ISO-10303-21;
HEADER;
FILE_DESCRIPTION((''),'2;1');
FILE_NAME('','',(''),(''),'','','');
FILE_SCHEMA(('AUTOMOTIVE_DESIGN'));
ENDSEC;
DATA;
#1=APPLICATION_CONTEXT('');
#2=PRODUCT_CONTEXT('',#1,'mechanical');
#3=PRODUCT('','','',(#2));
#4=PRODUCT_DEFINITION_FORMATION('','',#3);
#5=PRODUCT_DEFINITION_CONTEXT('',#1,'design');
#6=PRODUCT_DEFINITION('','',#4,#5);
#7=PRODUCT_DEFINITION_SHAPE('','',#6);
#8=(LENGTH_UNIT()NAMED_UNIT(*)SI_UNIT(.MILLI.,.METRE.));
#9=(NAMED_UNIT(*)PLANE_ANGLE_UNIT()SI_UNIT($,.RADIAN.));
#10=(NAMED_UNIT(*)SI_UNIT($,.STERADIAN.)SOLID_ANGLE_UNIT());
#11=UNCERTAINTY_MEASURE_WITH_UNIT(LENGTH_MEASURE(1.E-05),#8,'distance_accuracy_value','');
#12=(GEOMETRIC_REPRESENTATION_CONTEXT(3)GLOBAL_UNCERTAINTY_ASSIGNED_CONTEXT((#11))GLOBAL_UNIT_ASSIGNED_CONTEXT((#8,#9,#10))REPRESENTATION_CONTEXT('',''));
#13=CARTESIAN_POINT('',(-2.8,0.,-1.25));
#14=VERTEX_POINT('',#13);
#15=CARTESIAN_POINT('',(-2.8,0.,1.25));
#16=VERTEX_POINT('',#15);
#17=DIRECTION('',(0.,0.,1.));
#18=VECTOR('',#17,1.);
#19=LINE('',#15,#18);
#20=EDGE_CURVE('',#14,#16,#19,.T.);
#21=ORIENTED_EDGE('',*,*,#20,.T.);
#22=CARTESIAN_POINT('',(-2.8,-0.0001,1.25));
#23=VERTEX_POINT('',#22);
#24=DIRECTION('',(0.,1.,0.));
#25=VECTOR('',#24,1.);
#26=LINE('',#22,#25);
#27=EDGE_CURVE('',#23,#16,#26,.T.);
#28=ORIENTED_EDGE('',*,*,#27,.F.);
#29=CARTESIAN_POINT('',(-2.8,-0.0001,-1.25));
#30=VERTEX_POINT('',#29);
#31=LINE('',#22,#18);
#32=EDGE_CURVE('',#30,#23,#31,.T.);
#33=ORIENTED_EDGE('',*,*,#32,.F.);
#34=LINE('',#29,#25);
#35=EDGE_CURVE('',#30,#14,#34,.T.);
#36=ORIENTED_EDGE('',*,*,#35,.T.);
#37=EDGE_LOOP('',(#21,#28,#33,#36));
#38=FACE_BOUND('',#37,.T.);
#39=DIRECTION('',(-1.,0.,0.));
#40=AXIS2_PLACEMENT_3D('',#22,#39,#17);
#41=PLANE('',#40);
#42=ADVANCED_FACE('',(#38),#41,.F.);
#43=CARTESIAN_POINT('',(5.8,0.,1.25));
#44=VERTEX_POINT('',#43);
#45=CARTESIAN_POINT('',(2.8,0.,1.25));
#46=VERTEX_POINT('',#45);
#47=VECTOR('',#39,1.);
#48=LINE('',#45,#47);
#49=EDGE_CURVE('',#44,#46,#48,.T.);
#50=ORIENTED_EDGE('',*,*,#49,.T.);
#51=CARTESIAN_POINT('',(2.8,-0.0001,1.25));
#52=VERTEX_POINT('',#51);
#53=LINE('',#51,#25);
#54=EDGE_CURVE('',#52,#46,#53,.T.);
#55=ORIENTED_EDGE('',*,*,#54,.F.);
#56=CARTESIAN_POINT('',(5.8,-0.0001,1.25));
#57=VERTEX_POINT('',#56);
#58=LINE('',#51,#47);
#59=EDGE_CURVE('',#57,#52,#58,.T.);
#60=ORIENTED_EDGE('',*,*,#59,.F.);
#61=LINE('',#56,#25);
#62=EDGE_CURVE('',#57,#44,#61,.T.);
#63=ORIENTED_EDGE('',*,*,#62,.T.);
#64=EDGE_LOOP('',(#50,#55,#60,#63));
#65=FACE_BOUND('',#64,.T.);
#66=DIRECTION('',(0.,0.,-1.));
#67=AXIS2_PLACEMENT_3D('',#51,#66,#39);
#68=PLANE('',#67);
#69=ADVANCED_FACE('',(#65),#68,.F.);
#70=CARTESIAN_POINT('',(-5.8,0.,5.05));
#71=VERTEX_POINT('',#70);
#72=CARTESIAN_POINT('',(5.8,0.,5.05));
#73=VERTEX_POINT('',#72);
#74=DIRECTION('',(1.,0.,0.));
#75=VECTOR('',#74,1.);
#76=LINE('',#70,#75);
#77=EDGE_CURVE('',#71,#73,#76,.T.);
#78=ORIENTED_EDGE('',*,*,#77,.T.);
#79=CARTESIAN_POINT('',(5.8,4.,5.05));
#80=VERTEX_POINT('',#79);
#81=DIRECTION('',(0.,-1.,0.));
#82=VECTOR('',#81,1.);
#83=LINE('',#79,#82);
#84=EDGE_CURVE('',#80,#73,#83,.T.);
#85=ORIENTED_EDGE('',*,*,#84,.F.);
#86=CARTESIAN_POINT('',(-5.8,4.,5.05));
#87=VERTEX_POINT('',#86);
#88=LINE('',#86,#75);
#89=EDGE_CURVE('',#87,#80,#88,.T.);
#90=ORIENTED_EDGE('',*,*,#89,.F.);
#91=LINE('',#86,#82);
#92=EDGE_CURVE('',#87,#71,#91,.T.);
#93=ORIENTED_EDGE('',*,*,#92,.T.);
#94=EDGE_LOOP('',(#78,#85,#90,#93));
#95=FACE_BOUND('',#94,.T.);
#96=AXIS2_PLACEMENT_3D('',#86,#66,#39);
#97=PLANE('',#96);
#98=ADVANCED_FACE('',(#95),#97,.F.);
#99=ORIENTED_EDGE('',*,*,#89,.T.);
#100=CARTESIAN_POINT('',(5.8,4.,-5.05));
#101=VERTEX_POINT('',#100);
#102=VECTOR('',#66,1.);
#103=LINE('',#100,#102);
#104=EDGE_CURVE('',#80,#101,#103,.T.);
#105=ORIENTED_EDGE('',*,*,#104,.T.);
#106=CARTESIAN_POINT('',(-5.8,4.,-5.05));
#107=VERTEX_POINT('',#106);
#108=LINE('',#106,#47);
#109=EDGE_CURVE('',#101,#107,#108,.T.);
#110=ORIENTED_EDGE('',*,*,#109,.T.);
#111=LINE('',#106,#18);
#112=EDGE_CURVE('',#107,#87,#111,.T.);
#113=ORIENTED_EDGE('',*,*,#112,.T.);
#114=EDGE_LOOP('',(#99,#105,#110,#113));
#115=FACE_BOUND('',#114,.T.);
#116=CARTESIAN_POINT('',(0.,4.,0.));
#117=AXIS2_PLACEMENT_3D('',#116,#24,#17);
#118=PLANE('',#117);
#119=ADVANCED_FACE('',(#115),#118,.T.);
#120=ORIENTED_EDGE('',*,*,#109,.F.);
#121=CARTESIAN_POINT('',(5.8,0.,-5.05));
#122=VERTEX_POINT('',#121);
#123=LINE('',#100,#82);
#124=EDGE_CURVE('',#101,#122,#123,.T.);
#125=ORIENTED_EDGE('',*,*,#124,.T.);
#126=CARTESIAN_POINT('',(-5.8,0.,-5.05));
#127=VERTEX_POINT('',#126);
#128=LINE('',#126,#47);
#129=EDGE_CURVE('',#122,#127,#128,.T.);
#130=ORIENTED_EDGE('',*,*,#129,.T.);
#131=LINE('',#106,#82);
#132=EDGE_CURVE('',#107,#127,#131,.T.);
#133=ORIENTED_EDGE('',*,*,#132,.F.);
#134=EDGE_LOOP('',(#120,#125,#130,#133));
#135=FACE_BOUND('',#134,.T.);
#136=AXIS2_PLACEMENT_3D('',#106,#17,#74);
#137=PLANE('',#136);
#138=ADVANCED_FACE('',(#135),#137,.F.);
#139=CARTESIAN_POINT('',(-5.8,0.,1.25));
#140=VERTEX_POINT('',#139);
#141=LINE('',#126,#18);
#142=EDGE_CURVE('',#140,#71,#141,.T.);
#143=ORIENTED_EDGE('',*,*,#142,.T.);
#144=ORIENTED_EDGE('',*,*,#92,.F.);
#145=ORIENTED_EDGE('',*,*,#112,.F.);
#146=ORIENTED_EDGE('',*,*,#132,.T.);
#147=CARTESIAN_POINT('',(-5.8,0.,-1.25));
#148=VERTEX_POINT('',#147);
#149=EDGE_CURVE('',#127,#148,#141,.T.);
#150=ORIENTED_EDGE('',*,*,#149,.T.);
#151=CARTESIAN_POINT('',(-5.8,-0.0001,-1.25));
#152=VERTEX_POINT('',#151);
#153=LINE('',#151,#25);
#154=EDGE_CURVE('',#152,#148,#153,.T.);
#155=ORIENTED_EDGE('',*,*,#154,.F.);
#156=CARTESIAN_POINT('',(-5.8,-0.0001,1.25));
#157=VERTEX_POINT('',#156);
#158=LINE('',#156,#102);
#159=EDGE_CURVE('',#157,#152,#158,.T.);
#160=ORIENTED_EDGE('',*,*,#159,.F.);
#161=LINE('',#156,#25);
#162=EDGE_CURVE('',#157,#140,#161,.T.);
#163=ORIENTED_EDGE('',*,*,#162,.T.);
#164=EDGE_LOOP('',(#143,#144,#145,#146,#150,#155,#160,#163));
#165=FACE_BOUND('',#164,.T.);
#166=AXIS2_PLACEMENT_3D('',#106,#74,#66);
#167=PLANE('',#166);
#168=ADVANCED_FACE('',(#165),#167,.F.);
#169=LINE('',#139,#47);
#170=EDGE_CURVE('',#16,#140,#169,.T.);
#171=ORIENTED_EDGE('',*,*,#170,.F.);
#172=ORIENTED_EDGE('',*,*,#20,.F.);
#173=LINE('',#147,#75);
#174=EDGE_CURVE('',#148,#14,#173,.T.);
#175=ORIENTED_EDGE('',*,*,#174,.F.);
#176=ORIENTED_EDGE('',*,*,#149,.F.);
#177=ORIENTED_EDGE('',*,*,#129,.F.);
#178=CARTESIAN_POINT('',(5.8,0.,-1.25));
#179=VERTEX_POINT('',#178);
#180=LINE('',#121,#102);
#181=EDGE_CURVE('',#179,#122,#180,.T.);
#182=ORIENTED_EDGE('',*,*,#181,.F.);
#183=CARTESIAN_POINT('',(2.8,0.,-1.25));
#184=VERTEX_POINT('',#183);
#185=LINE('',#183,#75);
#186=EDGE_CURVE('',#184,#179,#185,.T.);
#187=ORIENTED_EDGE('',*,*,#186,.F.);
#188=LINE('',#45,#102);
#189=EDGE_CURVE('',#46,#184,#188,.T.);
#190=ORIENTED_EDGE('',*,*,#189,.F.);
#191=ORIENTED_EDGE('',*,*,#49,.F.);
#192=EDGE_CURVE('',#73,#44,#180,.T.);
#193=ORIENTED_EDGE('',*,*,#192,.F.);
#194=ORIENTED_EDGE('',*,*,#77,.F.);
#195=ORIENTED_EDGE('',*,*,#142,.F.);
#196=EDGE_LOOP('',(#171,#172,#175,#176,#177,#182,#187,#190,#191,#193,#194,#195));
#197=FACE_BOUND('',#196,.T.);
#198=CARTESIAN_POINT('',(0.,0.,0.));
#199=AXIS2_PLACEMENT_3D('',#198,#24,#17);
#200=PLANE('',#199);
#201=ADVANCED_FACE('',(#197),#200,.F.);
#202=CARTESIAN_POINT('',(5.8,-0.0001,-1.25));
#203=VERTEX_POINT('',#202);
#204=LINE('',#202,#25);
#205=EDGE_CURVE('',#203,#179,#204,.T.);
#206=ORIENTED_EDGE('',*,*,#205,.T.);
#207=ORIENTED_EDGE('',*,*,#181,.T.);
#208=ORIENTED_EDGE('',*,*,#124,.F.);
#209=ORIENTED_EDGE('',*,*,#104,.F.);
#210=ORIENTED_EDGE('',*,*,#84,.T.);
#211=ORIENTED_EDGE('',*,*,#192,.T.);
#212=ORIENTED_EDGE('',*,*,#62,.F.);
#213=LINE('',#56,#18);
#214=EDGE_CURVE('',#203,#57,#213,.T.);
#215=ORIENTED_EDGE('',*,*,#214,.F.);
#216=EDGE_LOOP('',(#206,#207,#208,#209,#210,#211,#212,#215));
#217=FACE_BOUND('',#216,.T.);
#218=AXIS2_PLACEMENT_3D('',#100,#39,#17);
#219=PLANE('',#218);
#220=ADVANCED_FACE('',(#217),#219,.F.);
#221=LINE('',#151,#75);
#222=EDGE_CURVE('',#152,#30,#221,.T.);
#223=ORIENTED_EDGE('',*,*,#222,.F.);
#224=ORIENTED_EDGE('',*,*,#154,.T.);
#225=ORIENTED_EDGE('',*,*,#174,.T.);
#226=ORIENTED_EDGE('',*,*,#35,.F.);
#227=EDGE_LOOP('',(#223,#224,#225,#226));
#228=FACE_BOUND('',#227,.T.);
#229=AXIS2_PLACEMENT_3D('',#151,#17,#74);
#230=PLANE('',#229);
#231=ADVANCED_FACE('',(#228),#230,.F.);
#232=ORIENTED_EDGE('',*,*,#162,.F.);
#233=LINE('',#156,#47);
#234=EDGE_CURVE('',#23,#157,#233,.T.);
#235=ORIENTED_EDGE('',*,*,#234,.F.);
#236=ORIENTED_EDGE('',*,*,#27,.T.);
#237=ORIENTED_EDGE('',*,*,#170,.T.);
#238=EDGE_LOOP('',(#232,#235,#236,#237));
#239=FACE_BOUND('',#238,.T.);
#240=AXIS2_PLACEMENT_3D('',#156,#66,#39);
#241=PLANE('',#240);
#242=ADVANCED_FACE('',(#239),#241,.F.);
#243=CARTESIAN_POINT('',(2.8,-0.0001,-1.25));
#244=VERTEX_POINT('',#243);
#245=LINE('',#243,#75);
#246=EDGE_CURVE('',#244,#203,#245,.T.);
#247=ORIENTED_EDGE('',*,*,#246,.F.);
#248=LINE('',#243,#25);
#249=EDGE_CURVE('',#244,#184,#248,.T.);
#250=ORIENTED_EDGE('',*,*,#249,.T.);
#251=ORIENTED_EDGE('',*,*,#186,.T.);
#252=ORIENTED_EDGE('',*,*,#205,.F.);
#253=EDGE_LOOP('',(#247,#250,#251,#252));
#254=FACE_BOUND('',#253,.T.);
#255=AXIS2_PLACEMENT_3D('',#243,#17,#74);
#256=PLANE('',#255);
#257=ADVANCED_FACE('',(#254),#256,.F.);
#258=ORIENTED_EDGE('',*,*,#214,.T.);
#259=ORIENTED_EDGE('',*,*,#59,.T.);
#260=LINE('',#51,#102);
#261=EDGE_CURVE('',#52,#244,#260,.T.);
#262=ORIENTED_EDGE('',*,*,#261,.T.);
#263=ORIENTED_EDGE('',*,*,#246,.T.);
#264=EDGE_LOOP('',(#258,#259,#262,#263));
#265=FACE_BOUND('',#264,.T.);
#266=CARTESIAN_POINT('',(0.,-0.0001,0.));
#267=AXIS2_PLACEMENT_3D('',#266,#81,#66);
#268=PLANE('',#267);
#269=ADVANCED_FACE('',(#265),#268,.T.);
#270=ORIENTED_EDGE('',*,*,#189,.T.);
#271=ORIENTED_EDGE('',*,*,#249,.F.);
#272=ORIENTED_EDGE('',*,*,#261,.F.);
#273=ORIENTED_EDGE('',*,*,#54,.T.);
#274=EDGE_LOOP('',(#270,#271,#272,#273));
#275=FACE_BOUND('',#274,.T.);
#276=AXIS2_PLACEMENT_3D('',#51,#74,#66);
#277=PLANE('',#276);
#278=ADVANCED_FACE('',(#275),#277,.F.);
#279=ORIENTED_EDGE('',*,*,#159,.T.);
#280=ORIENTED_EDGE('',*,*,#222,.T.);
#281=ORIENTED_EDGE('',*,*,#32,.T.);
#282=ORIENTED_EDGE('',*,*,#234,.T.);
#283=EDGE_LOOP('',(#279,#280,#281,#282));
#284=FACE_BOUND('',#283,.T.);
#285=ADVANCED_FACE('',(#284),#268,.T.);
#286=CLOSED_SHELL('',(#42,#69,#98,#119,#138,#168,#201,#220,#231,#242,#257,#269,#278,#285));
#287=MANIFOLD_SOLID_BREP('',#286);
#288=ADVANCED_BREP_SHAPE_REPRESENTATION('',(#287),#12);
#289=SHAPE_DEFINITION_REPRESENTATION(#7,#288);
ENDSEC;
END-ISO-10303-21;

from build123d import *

# Parameters (mm, degrees)
SKETCH1_W           = 11.6
SKETCH1_H           = 10.1
BOSS_EXTRUDE1_DEPTH = 4
SKETCH2_W           = 3
SKETCH2_H           = 2.5
BOSS_EXTRUDE2_DEPTH = 0.0001


with BuildPart() as part:
    # Sketch1 → Boss-Extrude1 (new body)
    with BuildSketch(Plane(origin=(0, 0, 0), x_dir=(1, 0, 0), z_dir=(0, 1, 0))):
        Rectangle(SKETCH1_W, SKETCH1_H)
    extrude(amount=BOSS_EXTRUDE1_DEPTH)

    # Sketch2 → Boss-Extrude2 (add)
    with BuildSketch(Plane.XZ):
        with Locations((-4.3, 0)):
            Rectangle(SKETCH2_W, SKETCH2_H)
        with Locations((4.3, 0)):
            Rectangle(SKETCH2_W, SKETCH2_H)
    extrude(amount=BOSS_EXTRUDE2_DEPTH)


solid = part.part
